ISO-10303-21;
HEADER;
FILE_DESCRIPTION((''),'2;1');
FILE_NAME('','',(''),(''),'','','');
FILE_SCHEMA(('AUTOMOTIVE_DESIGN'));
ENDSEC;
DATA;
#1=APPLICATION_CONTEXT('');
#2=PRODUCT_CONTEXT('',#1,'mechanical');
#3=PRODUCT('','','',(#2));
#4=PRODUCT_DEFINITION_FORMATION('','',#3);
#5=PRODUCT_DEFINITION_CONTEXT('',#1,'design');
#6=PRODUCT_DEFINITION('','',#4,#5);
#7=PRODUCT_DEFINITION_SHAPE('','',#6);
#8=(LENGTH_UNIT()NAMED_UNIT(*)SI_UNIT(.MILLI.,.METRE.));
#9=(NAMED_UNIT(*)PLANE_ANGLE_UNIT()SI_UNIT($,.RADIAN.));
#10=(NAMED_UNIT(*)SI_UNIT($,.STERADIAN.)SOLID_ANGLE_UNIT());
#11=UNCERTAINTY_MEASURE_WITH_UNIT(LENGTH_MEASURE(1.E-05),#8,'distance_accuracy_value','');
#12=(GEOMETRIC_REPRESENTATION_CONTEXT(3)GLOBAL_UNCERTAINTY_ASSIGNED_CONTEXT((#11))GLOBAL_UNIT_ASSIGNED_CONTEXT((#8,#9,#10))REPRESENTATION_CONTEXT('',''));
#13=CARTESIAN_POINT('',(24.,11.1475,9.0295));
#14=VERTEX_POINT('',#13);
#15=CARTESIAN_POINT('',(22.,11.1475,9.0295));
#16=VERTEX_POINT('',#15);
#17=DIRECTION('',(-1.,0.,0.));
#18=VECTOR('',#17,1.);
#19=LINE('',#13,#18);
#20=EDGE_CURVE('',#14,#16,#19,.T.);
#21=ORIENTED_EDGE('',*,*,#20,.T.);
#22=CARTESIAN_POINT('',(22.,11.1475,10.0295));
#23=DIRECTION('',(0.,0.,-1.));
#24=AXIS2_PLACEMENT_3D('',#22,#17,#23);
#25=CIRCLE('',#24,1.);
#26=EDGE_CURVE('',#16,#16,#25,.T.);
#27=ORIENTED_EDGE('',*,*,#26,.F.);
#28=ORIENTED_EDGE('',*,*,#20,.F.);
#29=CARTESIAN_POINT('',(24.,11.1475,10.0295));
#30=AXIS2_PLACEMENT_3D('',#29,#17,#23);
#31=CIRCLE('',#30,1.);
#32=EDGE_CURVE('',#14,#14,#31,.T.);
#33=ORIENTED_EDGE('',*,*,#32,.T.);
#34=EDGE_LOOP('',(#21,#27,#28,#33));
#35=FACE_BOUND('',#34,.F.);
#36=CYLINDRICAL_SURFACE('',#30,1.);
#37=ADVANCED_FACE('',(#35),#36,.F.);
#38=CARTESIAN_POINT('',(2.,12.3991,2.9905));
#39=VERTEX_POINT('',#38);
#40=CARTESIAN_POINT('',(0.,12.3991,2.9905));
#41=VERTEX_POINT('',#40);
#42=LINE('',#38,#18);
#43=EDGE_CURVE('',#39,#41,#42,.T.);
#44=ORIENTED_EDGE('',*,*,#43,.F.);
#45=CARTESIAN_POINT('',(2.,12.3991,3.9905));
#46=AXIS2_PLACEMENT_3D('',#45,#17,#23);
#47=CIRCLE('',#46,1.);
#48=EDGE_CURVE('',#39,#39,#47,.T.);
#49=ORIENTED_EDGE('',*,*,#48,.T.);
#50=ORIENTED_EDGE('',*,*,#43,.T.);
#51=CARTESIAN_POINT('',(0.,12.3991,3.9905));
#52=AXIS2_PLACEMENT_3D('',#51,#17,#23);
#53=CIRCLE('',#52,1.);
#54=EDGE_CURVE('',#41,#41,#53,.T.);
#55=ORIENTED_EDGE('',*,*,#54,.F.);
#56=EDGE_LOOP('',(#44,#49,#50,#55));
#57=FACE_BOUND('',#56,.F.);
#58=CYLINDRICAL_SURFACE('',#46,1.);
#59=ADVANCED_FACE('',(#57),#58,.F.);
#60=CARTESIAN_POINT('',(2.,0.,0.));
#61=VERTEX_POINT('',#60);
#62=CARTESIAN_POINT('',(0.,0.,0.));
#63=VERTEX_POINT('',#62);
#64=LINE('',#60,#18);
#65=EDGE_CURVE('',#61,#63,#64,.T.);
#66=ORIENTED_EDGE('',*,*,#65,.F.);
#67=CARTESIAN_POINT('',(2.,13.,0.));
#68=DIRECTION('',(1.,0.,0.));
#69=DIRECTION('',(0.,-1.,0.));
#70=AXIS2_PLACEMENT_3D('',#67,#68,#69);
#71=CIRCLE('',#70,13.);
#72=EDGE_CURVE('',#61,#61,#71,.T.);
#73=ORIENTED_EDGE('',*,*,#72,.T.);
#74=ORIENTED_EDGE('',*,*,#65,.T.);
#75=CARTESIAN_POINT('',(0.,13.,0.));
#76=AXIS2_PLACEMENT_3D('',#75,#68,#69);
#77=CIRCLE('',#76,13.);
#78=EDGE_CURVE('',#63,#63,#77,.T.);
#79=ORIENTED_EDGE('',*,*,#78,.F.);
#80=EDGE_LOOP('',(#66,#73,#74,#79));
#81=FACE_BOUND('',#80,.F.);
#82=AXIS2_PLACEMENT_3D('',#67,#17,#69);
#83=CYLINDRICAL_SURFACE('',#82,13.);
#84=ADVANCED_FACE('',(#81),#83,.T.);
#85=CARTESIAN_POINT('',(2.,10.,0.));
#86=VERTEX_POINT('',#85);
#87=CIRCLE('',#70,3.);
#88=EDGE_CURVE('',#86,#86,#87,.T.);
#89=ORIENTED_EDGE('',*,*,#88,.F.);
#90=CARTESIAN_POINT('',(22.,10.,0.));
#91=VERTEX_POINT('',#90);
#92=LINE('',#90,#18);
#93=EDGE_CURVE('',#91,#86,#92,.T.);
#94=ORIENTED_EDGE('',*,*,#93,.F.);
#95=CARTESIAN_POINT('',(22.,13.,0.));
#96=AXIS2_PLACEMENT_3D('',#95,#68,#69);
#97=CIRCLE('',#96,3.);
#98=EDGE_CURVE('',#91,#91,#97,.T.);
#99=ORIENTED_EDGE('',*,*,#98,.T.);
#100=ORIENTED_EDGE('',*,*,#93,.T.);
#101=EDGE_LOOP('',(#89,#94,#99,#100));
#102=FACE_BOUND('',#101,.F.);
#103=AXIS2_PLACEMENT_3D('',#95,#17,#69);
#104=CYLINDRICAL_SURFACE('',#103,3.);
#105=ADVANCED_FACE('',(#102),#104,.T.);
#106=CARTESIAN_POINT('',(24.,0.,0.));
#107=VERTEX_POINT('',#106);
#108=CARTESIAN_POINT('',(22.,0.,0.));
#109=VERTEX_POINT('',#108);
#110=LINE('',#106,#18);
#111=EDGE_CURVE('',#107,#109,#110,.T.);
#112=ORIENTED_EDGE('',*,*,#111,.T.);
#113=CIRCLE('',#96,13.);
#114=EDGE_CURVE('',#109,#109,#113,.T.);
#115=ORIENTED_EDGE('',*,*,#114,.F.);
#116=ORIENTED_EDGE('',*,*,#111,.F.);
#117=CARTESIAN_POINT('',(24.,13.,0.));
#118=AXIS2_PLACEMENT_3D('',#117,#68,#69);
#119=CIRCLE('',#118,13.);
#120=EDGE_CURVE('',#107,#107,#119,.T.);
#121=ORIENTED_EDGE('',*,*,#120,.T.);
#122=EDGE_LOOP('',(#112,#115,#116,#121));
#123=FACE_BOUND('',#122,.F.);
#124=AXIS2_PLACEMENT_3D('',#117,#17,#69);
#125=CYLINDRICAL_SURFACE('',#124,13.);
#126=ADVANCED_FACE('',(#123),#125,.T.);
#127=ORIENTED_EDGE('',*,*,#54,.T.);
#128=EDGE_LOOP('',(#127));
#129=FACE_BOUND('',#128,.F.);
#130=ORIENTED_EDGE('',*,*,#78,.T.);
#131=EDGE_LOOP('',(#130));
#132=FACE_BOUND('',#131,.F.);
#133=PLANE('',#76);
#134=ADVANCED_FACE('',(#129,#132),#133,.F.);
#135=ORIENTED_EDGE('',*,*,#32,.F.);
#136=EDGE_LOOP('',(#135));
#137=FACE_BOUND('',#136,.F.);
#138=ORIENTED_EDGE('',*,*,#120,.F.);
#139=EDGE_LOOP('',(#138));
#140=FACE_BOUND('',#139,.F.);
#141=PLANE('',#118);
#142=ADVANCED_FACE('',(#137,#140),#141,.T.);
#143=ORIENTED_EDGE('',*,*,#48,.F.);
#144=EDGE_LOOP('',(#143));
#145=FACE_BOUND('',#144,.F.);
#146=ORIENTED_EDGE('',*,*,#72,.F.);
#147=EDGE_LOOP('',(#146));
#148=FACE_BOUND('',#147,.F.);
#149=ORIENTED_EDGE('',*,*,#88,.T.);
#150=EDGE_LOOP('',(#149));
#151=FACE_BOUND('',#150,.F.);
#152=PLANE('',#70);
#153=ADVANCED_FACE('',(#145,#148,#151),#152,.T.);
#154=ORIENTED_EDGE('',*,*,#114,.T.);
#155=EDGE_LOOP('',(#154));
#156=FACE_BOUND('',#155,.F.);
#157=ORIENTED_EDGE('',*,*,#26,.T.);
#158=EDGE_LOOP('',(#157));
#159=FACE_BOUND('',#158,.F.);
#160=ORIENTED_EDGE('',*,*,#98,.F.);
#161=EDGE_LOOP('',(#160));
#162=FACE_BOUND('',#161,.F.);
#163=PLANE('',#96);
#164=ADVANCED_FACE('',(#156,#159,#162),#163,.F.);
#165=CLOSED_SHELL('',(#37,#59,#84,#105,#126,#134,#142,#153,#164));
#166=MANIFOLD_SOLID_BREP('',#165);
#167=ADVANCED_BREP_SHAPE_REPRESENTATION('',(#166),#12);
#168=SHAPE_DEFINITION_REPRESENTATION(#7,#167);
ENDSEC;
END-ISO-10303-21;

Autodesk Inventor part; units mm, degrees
ref_plane "YZ Plane" through (0, 0, 0) normal (1, 0, 0) x (0, 1, 0)
ref_plane "XZ Plane" through (0, 0, 0) normal (0, 1, 0) x (-1, 0, 0)
ref_plane "XY Plane" through (0, 0, 0) normal (0, 0, 1) x (1, 0, 0)
sketch "Sketch1" plane through (0, 0, 0) normal (0, 0, 1) x (1, 0, 0)
  line L0 (0, 0) -> (0, 13)
  line L1 (0, 13) -> (24, 13)
  line L2 (24, 13) -> (24, 0)
  line L3 (24, 0) -> (22, 0)
  line L4 (22, 0) -> (22, 10)
  line L5 (22, 10) -> (2, 10)
  line L6 (2, 10) -> (2, 0)
  line L7 (2, 0) -> (0, 0)
  dimension "d0" = 13
  dimension "d1" = 24
  dimension "d2" = 2
  dimension "d3" = 10
  dimension "d4" = 20
revolve "Revolution1" add sketch "Sketch1" angle 360 about axis through (0, 13, 0) along (1, 0, 0)
sketch "Sketch2" plane through (2, 13, 0) normal (1, 0, 0) x (0, 0, -1)
  point P0 (0, -13)
  point P1 (-3.9905, -0.6009)
hole "Hole1" at (2, 12.3991, 3.9905) direction (-1, 0, 0) diameter 2 end through all
sketch "Sketch3" plane through (24, 13, 0) normal (1, 0, 0) x (0, 0, -1)
  point P0 (0, -13)
  point P1 (-10.0295, -1.8525)
hole "Hole2" at (24, 11.1475, 10.0295) direction (-1, 0, 0) diameter 2 depth 8 tip angle 118
sketch "Sketch4" plane through (2, 13, 0) normal (1, 0, 0) x (0, 0, -1)
  point P0 (0, -13)
sketch "Sketch5" plane through (2, 13, 0) normal (1, 0, 0) x (0, 0, -1)
  point P0 (0, -13)
sketch "Sketch6" plane through (0, 13, 0) normal (-1, 0, 0) x (0, 0, 1)
  point P0 (0, -13)
properties part number "SpoolNoCenterHole1"
